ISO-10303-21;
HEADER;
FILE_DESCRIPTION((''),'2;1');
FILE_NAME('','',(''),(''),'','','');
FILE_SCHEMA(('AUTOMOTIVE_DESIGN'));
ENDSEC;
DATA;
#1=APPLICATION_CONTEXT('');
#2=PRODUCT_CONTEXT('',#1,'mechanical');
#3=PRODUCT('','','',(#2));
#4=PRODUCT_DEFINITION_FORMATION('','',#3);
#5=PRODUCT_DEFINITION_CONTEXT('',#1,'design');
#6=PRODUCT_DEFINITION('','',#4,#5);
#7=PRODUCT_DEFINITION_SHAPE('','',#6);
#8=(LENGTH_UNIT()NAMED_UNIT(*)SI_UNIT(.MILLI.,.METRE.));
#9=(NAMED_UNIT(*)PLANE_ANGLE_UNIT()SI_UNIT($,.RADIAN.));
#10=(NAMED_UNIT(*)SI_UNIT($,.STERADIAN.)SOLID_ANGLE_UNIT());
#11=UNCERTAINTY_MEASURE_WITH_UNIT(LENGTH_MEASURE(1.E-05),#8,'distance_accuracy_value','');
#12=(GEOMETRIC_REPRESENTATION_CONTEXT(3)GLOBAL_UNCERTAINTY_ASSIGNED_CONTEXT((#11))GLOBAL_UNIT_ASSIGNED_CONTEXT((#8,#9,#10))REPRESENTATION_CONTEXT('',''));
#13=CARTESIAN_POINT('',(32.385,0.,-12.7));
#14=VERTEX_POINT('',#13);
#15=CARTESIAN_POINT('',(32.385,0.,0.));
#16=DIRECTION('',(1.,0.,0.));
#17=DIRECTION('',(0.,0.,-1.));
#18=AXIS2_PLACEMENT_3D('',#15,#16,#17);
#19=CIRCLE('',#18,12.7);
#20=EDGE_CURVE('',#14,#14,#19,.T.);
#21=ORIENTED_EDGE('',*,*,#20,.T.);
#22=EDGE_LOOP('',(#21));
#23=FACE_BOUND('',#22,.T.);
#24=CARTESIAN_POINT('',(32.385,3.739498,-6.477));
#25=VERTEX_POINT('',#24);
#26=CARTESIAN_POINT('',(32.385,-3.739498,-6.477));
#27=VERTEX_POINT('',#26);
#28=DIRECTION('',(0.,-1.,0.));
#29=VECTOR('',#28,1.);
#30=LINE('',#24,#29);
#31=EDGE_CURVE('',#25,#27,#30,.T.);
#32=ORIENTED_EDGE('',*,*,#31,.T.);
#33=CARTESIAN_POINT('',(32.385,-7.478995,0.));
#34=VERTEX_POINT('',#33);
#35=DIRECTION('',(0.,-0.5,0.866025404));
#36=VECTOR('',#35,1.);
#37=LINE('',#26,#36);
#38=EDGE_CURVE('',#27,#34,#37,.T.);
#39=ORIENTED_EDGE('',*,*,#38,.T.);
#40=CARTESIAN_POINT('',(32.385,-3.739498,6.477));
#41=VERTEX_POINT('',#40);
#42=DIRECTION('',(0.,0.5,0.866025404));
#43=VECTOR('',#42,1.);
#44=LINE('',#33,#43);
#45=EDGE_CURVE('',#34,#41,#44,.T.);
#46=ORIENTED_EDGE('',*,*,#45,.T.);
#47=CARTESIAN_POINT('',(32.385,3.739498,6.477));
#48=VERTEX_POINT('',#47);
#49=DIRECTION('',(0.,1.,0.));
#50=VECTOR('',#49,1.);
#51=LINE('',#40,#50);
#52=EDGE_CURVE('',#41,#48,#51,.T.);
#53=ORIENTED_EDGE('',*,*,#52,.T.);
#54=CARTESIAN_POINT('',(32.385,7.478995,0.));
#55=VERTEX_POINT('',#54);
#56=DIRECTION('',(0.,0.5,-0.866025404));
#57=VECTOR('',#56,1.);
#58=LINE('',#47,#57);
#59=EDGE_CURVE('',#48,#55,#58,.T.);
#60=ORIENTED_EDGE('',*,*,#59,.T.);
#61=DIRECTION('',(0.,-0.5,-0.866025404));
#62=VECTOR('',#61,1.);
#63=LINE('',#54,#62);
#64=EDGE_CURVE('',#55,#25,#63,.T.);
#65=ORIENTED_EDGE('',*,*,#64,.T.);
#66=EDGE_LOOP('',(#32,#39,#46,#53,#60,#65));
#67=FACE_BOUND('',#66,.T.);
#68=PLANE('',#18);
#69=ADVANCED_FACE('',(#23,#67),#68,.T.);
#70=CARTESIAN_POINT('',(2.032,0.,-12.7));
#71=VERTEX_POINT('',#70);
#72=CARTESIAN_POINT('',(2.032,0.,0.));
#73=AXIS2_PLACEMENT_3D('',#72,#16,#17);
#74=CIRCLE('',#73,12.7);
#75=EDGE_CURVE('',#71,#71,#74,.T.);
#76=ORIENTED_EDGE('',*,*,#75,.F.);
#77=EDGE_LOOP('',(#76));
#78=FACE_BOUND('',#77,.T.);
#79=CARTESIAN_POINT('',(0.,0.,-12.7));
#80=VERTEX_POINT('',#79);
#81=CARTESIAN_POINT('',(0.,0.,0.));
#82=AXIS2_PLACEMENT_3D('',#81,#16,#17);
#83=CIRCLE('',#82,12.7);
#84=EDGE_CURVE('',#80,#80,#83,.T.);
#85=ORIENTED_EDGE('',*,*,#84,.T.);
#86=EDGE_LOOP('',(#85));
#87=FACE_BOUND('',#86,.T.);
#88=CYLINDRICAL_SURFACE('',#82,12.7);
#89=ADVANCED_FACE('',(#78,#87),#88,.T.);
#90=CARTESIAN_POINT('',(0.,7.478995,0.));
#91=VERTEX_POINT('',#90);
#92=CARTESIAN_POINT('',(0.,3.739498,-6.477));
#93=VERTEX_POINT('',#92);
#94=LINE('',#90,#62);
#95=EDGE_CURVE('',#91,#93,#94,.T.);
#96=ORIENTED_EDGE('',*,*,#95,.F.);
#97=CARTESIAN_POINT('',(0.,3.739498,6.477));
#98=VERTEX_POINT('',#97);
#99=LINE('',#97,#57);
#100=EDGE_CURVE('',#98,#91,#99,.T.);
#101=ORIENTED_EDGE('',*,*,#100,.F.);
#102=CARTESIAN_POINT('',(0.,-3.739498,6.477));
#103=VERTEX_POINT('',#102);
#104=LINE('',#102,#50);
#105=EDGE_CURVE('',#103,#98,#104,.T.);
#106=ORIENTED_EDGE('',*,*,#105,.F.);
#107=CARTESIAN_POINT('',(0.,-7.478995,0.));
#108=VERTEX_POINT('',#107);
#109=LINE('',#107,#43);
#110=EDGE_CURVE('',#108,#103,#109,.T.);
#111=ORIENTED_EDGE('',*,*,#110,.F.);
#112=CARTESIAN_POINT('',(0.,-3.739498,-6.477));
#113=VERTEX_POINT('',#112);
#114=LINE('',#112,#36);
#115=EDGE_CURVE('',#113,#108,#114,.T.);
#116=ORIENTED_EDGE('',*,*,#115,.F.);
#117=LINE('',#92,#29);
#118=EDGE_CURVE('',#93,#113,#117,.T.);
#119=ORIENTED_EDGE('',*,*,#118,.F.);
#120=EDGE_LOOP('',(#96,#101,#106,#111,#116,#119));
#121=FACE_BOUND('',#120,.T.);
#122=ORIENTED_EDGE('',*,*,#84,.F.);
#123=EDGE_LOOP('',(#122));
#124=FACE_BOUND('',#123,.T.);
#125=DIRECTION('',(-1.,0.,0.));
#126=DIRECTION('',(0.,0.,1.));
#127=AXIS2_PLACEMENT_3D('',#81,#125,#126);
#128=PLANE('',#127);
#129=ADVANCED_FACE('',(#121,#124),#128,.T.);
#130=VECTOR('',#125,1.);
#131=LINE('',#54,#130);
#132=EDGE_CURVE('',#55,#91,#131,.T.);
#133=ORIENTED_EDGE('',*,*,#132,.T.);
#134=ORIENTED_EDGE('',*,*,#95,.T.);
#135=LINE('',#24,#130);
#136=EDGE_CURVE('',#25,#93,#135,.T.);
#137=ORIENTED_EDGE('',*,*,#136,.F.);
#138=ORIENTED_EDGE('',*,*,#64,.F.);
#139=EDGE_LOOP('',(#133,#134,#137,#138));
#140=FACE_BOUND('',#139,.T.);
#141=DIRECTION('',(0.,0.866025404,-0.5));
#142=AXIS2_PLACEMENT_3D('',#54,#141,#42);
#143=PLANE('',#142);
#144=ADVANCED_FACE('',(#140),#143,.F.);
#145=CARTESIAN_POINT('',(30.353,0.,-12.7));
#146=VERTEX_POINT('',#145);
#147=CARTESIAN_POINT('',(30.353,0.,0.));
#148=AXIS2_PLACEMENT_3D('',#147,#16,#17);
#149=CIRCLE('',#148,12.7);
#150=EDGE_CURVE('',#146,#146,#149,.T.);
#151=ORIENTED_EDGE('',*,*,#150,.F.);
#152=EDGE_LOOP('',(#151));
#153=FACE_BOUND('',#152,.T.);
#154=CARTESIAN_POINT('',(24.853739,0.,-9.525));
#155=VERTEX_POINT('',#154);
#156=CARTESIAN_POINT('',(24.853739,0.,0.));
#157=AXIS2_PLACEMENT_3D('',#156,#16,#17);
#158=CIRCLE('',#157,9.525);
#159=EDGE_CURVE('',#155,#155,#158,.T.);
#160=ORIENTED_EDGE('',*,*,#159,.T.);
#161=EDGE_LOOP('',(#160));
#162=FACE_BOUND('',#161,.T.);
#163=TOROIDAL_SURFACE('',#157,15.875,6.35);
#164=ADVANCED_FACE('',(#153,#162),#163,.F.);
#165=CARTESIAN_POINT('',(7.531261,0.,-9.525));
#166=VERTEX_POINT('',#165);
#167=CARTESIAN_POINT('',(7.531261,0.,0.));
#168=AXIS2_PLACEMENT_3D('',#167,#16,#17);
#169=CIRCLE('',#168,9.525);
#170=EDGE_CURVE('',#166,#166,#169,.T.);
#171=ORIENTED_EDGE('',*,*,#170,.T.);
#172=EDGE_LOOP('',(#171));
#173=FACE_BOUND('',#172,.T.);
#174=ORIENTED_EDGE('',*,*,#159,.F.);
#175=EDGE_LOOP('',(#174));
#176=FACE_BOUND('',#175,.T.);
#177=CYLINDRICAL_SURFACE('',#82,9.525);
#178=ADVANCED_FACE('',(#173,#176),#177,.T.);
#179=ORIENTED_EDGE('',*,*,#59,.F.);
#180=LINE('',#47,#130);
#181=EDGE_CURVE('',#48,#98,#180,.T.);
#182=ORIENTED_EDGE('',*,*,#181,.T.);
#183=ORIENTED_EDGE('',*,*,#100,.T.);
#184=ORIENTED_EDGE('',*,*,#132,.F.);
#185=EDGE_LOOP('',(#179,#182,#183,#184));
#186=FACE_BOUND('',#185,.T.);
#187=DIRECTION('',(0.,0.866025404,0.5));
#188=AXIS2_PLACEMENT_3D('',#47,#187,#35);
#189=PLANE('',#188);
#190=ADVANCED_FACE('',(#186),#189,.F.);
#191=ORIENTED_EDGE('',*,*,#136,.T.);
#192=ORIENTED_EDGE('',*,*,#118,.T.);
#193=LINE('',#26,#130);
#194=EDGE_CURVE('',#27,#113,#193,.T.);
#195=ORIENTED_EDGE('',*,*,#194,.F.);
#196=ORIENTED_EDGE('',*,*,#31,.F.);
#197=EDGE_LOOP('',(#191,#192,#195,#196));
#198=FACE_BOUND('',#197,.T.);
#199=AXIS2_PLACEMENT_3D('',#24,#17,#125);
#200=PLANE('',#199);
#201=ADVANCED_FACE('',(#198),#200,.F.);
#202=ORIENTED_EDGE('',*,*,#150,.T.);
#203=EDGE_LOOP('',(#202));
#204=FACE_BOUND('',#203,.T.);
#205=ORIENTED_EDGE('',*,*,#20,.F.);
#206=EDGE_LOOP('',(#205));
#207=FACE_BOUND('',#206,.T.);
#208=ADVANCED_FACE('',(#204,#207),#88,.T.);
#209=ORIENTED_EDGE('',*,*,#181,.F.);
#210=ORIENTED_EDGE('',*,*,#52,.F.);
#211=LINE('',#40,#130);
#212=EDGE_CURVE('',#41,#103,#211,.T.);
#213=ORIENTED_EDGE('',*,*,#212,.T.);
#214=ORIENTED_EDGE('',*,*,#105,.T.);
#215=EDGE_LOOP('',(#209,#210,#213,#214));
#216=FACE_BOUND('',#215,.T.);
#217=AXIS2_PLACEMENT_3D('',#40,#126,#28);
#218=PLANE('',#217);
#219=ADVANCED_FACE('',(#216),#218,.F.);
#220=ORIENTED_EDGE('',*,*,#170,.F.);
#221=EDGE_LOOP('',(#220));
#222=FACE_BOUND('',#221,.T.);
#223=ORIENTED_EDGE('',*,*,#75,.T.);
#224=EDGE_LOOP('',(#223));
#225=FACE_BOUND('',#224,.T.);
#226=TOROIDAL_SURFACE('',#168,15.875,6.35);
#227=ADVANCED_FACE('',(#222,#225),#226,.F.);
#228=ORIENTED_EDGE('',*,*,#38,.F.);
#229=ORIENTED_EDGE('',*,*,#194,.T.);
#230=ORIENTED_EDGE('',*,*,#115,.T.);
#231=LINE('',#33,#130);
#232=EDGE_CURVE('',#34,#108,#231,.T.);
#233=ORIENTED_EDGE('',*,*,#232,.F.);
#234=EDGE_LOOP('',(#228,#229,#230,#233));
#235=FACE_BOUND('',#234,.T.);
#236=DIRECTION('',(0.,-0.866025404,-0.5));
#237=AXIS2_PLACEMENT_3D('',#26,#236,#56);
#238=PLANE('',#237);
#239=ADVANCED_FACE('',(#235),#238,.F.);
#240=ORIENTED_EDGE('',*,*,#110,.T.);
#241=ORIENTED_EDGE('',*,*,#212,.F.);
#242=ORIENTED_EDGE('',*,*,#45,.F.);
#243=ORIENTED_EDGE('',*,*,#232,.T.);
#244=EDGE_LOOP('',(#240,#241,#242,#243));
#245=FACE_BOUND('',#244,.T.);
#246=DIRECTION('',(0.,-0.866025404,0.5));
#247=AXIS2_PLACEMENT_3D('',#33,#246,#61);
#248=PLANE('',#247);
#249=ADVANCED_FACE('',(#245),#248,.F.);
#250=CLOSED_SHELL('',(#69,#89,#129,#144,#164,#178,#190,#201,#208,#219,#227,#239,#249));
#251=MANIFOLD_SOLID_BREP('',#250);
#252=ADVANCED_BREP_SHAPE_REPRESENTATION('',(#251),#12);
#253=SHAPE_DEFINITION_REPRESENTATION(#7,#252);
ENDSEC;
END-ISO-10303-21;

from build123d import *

# Parameters (mm, degrees)
CUT_EXTRUDE1_DEPTH = 33.385


with BuildPart() as part:
    # Sketch1 → Revolve1 (revolve)
    with BuildSketch(Plane.XY):
        with BuildLine():
            Line((0, 0), (0, 12.7))
            Line((0, 12.7), (2.032, 12.7))
            ThreePointArc((2.032, 12.7), (4.356261314, 10.375738686), (7.531261314, 9.525))
            Line((7.531261314, 9.525), (24.853738686, 9.525))
            ThreePointArc((24.853738686, 9.525), (28.028738686, 10.375738686), (30.353, 12.7))
            Line((30.353, 12.7), (32.385, 12.7))
            Line((32.385, 12.7), (32.385, 0))
            Line((32.385, 0), (0, 0))
        make_face()
    revolve(axis=Axis((0, 0, 0), (-1, 0, 0)))

    # Sketch2 → Cut-Extrude1 (cut, through all)
    with BuildSketch(Plane.ZY):
        Polygon((0, 7.478995387), (-6.477, 3.739497694), (-6.477, -3.739497694), (0, -7.478995387), (6.477, -3.739497694), (6.477, 3.739497694), align=None)
    extrude(amount=-CUT_EXTRUDE1_DEPTH, mode=Mode.SUBTRACT)


solid = part.part
